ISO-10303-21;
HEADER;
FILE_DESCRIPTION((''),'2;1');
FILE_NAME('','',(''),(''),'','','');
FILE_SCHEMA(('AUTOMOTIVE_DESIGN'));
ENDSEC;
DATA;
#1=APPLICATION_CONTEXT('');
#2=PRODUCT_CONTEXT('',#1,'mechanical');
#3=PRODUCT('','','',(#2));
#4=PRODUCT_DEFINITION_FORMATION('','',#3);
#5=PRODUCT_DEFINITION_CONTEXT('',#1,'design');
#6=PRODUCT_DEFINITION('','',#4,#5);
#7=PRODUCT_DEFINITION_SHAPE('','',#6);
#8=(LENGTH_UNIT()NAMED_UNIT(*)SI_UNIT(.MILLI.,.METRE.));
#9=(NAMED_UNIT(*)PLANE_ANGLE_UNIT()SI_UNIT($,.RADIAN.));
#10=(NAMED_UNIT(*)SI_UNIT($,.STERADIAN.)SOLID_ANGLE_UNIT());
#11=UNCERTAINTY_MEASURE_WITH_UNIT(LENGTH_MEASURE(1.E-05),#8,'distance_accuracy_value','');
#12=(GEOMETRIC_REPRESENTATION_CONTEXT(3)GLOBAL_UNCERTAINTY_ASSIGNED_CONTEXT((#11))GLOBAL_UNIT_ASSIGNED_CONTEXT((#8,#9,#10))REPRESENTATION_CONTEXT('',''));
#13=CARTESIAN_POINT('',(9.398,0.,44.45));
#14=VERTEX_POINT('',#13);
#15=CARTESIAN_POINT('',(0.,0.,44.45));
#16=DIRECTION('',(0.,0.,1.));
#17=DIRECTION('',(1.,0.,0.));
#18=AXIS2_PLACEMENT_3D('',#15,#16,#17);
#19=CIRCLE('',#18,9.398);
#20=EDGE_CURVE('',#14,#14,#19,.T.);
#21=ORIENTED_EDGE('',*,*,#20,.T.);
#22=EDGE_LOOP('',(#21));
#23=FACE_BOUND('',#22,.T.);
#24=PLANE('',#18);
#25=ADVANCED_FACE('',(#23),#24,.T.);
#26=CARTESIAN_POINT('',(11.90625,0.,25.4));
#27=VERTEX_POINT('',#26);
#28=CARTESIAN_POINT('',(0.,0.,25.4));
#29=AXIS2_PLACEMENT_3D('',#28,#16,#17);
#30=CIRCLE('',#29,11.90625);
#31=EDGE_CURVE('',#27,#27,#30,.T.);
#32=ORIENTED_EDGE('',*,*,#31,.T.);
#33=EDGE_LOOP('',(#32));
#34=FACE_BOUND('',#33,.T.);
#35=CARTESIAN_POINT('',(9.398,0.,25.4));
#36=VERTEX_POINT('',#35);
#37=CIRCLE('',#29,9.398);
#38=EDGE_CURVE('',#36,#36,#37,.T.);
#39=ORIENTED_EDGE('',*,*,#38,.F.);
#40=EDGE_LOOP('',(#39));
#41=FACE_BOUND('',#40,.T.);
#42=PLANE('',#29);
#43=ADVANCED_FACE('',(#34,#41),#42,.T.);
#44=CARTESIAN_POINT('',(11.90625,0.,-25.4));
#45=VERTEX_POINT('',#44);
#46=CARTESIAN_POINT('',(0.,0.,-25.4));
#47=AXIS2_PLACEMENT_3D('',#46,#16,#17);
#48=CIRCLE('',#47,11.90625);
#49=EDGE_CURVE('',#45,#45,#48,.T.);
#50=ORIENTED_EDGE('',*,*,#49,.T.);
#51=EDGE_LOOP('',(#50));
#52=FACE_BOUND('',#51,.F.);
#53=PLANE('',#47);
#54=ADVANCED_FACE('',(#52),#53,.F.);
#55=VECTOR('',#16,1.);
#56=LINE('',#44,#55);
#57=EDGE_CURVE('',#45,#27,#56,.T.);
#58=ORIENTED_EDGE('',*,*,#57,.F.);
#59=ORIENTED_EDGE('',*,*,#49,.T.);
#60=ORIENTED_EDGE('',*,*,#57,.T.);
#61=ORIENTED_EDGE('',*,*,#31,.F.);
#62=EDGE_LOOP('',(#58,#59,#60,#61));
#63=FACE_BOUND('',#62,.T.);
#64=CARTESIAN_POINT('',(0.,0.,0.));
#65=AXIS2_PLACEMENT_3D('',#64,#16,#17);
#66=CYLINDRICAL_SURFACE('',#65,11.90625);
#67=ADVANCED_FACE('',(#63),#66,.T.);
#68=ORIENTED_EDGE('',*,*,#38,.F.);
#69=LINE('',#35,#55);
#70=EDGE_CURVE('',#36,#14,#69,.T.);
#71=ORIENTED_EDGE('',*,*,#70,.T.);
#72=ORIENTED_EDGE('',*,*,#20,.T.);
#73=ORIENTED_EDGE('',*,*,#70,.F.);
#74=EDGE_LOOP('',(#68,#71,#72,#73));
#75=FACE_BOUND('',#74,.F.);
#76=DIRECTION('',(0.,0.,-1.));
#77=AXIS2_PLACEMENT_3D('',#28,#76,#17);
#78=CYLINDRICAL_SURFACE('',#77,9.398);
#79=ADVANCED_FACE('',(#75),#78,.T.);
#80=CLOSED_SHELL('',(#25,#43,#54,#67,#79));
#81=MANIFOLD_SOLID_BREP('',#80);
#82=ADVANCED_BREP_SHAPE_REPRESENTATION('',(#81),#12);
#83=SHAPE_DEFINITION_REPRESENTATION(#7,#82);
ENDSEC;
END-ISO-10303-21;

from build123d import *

# Parameters (mm, degrees)
F0_R     = 11.90625
F1_DEPTH = 25.4
F2_R     = 9.398
F3_DEPTH = 19.05


with BuildPart() as f1:
    # F0 (on Top) → F1 (new body, symmetric)
    with BuildSketch(Plane.XY):
        Circle(F0_R)
    extrude(amount=F1_DEPTH, both=True)

    # F2 (on face) → F3 (join)
    with BuildSketch(Plane.XY.offset(25.4)):
        Circle(F2_R)
    extrude(amount=F3_DEPTH)


solid = f1.part
